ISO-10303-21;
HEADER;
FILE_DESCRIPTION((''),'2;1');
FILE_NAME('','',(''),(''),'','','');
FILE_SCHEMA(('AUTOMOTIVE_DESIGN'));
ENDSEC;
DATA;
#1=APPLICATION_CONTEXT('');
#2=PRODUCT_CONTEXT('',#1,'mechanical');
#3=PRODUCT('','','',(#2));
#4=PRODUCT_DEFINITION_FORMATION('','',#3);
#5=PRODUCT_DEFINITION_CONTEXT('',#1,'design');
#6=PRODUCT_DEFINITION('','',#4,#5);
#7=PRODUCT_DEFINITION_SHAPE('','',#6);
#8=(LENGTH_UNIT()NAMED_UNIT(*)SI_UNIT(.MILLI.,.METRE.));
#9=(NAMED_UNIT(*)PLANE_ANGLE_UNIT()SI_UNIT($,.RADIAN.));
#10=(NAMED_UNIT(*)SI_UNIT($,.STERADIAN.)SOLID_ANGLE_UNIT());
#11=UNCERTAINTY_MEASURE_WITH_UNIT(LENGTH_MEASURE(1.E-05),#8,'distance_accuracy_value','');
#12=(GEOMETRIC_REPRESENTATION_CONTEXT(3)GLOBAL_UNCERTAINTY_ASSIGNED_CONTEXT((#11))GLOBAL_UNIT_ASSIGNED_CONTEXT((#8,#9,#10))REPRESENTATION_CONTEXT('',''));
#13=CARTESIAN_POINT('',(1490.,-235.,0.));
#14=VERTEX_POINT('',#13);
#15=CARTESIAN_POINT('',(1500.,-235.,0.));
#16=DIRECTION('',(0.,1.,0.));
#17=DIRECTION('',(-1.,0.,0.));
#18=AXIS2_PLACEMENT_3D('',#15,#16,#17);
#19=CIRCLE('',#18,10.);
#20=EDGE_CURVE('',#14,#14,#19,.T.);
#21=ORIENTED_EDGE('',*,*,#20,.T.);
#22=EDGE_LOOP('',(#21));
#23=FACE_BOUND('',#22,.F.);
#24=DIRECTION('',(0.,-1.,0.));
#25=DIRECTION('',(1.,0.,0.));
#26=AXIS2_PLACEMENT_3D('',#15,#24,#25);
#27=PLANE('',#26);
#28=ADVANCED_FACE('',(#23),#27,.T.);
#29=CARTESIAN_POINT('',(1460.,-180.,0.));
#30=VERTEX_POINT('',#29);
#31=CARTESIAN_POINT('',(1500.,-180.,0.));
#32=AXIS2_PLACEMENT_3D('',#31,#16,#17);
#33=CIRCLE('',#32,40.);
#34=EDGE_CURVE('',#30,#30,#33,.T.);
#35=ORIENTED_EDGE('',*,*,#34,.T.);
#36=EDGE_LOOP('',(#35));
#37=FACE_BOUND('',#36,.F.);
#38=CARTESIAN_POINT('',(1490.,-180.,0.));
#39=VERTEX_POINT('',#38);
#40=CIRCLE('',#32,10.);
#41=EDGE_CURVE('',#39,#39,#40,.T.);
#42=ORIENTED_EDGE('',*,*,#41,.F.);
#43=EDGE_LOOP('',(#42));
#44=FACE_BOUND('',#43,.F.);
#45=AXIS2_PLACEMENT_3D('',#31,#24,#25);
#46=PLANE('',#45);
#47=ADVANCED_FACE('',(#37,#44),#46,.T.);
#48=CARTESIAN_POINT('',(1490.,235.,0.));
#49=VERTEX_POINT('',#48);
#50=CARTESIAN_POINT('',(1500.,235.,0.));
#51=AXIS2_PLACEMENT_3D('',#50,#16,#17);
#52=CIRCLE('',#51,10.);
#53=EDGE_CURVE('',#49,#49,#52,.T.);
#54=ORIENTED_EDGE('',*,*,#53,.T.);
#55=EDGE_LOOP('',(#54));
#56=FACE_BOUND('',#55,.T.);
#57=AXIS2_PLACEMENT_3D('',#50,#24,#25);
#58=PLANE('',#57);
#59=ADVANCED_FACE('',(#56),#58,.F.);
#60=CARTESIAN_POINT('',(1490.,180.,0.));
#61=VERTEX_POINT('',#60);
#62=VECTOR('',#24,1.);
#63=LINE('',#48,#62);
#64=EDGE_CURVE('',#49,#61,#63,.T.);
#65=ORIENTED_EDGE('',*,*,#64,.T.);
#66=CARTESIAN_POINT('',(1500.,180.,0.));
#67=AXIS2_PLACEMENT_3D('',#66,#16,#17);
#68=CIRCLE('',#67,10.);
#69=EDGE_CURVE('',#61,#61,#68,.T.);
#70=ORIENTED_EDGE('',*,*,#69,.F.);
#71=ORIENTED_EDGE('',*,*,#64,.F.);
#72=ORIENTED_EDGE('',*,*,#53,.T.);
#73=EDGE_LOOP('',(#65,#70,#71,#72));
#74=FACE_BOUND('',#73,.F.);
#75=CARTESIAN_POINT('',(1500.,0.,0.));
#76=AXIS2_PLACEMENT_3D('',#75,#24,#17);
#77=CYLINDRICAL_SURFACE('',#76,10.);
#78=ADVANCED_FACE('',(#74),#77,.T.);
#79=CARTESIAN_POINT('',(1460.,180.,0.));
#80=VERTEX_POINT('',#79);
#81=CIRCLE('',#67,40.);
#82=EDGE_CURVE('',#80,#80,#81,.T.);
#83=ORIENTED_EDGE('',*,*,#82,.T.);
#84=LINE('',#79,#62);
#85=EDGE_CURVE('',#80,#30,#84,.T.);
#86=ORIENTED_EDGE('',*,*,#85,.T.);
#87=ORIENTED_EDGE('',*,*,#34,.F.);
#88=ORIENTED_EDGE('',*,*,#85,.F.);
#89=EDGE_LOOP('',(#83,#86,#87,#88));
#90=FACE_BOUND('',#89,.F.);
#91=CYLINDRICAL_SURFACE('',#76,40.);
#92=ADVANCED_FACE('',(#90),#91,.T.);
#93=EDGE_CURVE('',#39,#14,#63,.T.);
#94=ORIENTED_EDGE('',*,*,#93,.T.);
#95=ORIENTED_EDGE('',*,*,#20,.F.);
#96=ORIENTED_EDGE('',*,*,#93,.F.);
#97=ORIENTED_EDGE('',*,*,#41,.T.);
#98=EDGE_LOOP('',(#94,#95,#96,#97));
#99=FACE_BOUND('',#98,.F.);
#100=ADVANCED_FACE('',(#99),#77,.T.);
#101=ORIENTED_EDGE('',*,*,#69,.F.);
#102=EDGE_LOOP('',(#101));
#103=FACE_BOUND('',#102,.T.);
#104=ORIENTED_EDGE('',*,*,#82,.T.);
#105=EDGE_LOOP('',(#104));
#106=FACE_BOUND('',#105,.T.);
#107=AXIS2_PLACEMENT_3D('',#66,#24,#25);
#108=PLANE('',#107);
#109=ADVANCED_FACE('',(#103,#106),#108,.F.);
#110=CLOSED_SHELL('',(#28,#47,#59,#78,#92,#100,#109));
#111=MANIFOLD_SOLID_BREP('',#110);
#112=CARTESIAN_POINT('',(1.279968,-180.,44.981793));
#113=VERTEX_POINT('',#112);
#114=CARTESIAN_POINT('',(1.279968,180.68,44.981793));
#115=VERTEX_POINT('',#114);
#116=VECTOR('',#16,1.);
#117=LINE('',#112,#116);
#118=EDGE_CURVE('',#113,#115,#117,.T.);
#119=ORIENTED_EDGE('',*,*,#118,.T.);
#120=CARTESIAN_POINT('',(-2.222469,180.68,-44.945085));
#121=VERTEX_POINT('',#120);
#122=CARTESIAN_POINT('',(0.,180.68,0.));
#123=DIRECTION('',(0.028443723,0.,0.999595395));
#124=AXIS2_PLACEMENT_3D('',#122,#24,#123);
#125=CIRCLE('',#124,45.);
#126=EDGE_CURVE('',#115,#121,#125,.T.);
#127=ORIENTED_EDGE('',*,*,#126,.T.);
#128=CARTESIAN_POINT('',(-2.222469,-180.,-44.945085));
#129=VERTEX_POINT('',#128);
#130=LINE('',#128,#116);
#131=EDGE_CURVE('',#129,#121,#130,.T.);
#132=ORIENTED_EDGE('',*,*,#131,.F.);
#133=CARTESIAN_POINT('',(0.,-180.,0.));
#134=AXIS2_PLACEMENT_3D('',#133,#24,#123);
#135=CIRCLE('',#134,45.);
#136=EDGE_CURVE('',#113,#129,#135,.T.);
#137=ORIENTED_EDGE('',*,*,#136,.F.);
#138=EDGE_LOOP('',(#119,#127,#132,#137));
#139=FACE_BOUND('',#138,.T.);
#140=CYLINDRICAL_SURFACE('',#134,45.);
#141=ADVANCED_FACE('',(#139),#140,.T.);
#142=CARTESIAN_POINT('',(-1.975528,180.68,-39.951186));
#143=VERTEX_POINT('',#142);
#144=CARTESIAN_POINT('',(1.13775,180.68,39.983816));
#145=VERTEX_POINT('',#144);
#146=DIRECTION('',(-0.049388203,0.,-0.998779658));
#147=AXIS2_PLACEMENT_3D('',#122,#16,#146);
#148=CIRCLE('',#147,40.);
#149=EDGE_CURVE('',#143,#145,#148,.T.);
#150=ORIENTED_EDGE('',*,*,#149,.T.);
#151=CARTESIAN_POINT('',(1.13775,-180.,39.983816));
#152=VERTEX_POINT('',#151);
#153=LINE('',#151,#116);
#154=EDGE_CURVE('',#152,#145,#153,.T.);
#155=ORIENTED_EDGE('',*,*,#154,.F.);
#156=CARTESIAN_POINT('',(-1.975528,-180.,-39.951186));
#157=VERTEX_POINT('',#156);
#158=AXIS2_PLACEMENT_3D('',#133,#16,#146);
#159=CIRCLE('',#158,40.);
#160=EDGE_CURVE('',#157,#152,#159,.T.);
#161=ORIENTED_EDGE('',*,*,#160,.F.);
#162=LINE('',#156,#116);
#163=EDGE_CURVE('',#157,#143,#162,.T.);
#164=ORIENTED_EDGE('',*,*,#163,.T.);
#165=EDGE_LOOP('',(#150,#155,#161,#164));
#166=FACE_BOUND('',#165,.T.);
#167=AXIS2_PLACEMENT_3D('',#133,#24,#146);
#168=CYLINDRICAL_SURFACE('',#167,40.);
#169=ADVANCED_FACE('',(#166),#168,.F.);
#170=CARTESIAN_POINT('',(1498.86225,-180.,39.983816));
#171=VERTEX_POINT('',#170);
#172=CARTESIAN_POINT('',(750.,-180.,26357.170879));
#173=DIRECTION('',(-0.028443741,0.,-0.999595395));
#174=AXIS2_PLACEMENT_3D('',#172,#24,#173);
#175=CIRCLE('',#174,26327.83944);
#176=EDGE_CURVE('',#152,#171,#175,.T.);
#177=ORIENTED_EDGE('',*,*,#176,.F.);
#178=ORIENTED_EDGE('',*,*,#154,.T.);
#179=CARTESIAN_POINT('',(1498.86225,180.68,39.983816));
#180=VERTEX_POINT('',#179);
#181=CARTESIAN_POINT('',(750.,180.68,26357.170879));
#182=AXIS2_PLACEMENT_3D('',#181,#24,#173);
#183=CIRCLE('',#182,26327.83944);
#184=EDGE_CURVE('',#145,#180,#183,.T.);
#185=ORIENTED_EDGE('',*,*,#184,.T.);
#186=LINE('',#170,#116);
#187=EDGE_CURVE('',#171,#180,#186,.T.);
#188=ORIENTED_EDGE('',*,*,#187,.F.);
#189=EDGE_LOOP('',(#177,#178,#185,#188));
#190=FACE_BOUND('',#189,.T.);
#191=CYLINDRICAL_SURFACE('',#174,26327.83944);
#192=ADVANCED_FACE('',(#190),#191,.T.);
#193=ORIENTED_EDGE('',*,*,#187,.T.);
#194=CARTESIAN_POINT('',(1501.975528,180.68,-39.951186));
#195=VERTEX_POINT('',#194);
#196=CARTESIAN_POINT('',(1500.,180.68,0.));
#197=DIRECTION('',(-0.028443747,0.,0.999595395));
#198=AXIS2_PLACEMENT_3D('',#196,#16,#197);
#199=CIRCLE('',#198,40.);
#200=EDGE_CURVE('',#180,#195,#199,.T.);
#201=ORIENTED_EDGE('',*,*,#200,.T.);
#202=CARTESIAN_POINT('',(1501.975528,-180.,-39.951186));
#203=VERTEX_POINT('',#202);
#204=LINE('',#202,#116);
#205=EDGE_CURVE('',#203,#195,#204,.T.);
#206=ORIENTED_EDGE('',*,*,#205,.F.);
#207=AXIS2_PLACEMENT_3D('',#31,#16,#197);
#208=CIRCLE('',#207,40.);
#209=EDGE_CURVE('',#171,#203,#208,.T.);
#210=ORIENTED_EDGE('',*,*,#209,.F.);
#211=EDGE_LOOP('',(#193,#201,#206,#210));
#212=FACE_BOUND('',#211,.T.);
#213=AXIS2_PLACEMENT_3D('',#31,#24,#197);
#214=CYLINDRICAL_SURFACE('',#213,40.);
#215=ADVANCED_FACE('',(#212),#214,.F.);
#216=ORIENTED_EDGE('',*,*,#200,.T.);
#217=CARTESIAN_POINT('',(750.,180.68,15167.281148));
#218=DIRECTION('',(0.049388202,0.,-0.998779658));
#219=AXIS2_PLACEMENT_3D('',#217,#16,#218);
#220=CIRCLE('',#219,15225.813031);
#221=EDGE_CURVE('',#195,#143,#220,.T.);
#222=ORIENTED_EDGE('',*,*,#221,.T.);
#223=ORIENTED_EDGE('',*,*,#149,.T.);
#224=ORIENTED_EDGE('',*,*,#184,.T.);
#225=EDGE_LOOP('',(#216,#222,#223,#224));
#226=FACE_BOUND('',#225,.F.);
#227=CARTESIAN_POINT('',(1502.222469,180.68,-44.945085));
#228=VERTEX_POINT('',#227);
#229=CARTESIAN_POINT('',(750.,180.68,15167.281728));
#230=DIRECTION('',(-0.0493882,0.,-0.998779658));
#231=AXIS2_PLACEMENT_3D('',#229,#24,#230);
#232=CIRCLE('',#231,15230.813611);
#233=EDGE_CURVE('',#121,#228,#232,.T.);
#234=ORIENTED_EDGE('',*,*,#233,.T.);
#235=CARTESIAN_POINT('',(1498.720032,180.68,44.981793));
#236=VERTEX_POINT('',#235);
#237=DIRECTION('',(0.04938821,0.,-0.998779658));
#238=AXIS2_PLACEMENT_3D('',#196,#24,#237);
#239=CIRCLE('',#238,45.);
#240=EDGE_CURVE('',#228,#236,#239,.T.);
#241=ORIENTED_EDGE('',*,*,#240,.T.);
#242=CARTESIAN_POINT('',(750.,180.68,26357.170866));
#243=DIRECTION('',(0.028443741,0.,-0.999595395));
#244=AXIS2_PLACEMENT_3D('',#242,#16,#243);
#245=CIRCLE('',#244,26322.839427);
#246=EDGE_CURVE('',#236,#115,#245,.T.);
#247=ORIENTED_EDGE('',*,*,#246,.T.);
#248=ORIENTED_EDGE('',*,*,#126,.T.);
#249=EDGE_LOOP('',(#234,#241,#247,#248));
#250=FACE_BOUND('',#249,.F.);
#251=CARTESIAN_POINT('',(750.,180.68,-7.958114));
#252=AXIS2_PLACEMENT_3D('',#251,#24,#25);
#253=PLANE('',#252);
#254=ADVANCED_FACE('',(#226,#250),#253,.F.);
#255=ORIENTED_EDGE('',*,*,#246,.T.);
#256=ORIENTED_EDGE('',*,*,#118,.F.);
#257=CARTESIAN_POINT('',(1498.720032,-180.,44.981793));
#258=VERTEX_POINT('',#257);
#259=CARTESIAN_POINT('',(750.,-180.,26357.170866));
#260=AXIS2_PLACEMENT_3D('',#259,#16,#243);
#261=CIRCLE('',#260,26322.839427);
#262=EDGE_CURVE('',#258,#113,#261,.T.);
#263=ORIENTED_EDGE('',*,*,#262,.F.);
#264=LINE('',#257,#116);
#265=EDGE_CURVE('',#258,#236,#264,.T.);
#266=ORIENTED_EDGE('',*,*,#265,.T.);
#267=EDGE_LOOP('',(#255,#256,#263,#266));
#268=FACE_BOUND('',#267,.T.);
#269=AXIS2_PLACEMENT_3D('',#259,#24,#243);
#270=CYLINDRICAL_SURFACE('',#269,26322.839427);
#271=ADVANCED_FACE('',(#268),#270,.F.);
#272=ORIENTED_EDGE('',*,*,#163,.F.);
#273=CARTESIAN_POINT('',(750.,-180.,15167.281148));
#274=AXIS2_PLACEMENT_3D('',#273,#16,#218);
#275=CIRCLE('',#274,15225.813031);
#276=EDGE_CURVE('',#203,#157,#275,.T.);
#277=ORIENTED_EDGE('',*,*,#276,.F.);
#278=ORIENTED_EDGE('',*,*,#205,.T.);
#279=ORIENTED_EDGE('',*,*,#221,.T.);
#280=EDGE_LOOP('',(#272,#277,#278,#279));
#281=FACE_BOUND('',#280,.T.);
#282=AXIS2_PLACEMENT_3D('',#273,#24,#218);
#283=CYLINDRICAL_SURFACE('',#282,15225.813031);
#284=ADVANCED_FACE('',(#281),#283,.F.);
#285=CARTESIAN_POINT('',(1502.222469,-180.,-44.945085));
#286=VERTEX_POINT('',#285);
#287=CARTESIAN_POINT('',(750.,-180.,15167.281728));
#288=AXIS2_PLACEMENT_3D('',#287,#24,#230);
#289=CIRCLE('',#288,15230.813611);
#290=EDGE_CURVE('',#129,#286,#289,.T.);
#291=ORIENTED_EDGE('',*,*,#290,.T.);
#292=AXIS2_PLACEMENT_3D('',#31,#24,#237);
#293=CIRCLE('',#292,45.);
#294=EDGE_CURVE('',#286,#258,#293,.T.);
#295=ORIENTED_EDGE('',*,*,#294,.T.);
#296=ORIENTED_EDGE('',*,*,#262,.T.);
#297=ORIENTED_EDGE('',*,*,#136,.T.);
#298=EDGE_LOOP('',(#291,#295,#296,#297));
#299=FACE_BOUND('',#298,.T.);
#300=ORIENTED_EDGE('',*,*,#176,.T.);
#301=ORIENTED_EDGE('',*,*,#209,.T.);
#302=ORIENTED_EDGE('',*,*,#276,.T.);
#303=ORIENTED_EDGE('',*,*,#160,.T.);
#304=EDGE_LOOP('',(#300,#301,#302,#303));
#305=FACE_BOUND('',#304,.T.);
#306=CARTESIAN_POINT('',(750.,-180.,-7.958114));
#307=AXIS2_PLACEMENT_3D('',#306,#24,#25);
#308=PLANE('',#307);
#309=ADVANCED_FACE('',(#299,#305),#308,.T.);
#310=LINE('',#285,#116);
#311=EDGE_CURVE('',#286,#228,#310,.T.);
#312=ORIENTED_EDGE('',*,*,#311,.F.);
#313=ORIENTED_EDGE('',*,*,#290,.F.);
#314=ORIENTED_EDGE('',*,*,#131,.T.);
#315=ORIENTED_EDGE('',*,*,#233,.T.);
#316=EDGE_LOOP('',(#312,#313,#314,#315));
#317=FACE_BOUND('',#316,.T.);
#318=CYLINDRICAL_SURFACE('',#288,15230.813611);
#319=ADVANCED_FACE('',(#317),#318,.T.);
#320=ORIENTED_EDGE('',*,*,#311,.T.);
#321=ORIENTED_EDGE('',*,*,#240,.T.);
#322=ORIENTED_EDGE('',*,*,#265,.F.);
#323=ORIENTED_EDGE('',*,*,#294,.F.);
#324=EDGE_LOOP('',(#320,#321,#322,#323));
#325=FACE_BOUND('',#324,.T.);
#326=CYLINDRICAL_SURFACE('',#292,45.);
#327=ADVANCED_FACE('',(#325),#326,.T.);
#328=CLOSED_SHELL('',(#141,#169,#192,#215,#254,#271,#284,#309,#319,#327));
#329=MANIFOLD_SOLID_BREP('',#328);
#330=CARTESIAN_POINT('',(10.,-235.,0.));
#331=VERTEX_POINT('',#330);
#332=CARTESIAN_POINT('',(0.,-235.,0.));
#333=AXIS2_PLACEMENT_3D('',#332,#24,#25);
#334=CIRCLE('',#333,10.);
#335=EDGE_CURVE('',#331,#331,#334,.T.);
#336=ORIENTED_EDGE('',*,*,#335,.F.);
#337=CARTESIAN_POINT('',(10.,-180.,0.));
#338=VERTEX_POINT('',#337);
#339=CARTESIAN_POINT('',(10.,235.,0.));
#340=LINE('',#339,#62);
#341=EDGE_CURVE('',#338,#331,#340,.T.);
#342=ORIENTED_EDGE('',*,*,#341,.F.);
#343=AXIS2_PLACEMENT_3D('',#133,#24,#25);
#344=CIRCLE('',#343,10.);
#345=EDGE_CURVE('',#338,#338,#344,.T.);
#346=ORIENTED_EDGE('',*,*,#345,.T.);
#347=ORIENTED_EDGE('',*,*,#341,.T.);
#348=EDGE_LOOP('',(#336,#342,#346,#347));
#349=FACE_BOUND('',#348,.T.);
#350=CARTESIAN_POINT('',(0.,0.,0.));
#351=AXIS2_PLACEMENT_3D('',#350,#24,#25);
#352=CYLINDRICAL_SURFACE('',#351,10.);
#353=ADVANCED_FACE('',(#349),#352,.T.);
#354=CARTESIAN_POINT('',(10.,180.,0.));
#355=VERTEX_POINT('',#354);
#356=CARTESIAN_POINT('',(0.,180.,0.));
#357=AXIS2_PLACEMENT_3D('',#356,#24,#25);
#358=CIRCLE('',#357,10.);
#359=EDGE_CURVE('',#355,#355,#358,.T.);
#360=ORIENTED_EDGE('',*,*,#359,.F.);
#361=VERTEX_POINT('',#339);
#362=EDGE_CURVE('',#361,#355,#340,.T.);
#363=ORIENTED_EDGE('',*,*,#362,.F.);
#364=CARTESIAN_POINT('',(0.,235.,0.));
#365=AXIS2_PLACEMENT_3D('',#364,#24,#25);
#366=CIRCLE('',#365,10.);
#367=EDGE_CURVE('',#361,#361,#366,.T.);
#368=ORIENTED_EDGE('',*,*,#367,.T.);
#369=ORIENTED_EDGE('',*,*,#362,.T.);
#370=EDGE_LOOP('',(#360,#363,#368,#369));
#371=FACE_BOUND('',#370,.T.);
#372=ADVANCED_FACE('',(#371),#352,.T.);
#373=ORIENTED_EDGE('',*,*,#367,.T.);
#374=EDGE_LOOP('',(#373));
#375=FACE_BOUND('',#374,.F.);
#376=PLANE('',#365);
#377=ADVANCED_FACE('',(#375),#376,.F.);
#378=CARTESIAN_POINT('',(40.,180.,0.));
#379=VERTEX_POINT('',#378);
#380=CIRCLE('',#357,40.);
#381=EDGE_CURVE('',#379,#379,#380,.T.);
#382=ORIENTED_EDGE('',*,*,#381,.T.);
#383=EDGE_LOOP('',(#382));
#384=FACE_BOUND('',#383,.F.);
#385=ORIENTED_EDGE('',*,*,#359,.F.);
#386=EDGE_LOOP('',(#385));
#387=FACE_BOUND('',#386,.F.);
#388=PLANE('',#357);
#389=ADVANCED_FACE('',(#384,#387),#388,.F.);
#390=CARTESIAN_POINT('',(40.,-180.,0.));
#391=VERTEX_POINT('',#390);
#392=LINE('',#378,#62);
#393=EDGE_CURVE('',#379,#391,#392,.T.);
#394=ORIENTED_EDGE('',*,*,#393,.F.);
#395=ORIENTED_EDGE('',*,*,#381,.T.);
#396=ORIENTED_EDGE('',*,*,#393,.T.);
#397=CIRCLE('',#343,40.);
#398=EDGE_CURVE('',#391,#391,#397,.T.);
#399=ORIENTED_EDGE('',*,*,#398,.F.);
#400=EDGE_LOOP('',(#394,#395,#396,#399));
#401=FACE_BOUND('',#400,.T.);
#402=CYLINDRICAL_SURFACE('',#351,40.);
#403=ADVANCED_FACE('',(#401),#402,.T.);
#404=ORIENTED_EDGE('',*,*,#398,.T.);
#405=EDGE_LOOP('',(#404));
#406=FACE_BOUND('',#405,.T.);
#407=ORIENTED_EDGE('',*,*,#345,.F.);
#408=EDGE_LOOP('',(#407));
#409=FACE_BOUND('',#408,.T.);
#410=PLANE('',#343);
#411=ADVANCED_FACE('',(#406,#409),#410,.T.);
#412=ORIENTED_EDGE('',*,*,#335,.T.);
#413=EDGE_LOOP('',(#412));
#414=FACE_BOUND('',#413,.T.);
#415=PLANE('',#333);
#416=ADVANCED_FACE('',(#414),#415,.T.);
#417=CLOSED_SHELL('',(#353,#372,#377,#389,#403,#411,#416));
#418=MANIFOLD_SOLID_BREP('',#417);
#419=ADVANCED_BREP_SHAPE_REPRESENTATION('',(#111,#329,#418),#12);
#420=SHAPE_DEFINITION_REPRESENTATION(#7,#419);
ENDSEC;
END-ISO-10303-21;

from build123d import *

# Parameters (mm, degrees)
F0_R     = 10
F1_DEPTH = 235
F2_R     = 40
F3_DEPTH = 180
F8_DEPTH = 360.68


with BuildPart() as f1:
    # F0 (on Front) → F1 (new body, symmetric)
    with BuildSketch(Plane.XZ):
        Circle(F0_R)
    extrude(amount=F1_DEPTH, both=True)

    # F2 (on Front) → F3 (join, symmetric)
    with BuildSketch(Plane.XZ):
        Circle(F2_R)
    extrude(amount=F3_DEPTH, both=True)


with BuildPart() as f5_1:
    # F5: instance of F1
    add(f1.part.mirror(Plane.YZ.offset(750)))


with BuildPart() as f8:
    # F7 (on offset) → F8 (new body)
    with BuildSketch(Plane.XZ.offset(180)):
        with BuildLine():
            ThreePointArc((1498.720032, 44.981793), (750, 34.331439), (1.279968, 44.981793))
            ThreePointArc((1.279968, 44.981793), (-44.965908, 1.751315), (-2.222469, -44.945085))
            ThreePointArc((-2.222469, -44.945085), (750, -63.531883), (1502.222469, -44.945085))
            ThreePointArc((1502.222469, -44.945085), (1544.965908, 1.751315), (1498.720032, 44.981793))
        make_face()
        with BuildLine():
            ThreePointArc((-1.975528, -39.951186), (-39.969696, 1.556724), (1.13775, 39.983816))
            ThreePointArc((1.13775, 39.983816), (750, 29.331439), (1498.86225, 39.983816))
            ThreePointArc((1498.86225, 39.983816), (1539.969696, 1.556724), (1501.975528, -39.951186))
            ThreePointArc((1501.975528, -39.951186), (750, -58.531883), (-1.975528, -39.951186))
        make_face(mode=Mode.SUBTRACT)
    extrude(amount=-F8_DEPTH)


solid = Compound([f1.part, f5_1.part, f8.part])
